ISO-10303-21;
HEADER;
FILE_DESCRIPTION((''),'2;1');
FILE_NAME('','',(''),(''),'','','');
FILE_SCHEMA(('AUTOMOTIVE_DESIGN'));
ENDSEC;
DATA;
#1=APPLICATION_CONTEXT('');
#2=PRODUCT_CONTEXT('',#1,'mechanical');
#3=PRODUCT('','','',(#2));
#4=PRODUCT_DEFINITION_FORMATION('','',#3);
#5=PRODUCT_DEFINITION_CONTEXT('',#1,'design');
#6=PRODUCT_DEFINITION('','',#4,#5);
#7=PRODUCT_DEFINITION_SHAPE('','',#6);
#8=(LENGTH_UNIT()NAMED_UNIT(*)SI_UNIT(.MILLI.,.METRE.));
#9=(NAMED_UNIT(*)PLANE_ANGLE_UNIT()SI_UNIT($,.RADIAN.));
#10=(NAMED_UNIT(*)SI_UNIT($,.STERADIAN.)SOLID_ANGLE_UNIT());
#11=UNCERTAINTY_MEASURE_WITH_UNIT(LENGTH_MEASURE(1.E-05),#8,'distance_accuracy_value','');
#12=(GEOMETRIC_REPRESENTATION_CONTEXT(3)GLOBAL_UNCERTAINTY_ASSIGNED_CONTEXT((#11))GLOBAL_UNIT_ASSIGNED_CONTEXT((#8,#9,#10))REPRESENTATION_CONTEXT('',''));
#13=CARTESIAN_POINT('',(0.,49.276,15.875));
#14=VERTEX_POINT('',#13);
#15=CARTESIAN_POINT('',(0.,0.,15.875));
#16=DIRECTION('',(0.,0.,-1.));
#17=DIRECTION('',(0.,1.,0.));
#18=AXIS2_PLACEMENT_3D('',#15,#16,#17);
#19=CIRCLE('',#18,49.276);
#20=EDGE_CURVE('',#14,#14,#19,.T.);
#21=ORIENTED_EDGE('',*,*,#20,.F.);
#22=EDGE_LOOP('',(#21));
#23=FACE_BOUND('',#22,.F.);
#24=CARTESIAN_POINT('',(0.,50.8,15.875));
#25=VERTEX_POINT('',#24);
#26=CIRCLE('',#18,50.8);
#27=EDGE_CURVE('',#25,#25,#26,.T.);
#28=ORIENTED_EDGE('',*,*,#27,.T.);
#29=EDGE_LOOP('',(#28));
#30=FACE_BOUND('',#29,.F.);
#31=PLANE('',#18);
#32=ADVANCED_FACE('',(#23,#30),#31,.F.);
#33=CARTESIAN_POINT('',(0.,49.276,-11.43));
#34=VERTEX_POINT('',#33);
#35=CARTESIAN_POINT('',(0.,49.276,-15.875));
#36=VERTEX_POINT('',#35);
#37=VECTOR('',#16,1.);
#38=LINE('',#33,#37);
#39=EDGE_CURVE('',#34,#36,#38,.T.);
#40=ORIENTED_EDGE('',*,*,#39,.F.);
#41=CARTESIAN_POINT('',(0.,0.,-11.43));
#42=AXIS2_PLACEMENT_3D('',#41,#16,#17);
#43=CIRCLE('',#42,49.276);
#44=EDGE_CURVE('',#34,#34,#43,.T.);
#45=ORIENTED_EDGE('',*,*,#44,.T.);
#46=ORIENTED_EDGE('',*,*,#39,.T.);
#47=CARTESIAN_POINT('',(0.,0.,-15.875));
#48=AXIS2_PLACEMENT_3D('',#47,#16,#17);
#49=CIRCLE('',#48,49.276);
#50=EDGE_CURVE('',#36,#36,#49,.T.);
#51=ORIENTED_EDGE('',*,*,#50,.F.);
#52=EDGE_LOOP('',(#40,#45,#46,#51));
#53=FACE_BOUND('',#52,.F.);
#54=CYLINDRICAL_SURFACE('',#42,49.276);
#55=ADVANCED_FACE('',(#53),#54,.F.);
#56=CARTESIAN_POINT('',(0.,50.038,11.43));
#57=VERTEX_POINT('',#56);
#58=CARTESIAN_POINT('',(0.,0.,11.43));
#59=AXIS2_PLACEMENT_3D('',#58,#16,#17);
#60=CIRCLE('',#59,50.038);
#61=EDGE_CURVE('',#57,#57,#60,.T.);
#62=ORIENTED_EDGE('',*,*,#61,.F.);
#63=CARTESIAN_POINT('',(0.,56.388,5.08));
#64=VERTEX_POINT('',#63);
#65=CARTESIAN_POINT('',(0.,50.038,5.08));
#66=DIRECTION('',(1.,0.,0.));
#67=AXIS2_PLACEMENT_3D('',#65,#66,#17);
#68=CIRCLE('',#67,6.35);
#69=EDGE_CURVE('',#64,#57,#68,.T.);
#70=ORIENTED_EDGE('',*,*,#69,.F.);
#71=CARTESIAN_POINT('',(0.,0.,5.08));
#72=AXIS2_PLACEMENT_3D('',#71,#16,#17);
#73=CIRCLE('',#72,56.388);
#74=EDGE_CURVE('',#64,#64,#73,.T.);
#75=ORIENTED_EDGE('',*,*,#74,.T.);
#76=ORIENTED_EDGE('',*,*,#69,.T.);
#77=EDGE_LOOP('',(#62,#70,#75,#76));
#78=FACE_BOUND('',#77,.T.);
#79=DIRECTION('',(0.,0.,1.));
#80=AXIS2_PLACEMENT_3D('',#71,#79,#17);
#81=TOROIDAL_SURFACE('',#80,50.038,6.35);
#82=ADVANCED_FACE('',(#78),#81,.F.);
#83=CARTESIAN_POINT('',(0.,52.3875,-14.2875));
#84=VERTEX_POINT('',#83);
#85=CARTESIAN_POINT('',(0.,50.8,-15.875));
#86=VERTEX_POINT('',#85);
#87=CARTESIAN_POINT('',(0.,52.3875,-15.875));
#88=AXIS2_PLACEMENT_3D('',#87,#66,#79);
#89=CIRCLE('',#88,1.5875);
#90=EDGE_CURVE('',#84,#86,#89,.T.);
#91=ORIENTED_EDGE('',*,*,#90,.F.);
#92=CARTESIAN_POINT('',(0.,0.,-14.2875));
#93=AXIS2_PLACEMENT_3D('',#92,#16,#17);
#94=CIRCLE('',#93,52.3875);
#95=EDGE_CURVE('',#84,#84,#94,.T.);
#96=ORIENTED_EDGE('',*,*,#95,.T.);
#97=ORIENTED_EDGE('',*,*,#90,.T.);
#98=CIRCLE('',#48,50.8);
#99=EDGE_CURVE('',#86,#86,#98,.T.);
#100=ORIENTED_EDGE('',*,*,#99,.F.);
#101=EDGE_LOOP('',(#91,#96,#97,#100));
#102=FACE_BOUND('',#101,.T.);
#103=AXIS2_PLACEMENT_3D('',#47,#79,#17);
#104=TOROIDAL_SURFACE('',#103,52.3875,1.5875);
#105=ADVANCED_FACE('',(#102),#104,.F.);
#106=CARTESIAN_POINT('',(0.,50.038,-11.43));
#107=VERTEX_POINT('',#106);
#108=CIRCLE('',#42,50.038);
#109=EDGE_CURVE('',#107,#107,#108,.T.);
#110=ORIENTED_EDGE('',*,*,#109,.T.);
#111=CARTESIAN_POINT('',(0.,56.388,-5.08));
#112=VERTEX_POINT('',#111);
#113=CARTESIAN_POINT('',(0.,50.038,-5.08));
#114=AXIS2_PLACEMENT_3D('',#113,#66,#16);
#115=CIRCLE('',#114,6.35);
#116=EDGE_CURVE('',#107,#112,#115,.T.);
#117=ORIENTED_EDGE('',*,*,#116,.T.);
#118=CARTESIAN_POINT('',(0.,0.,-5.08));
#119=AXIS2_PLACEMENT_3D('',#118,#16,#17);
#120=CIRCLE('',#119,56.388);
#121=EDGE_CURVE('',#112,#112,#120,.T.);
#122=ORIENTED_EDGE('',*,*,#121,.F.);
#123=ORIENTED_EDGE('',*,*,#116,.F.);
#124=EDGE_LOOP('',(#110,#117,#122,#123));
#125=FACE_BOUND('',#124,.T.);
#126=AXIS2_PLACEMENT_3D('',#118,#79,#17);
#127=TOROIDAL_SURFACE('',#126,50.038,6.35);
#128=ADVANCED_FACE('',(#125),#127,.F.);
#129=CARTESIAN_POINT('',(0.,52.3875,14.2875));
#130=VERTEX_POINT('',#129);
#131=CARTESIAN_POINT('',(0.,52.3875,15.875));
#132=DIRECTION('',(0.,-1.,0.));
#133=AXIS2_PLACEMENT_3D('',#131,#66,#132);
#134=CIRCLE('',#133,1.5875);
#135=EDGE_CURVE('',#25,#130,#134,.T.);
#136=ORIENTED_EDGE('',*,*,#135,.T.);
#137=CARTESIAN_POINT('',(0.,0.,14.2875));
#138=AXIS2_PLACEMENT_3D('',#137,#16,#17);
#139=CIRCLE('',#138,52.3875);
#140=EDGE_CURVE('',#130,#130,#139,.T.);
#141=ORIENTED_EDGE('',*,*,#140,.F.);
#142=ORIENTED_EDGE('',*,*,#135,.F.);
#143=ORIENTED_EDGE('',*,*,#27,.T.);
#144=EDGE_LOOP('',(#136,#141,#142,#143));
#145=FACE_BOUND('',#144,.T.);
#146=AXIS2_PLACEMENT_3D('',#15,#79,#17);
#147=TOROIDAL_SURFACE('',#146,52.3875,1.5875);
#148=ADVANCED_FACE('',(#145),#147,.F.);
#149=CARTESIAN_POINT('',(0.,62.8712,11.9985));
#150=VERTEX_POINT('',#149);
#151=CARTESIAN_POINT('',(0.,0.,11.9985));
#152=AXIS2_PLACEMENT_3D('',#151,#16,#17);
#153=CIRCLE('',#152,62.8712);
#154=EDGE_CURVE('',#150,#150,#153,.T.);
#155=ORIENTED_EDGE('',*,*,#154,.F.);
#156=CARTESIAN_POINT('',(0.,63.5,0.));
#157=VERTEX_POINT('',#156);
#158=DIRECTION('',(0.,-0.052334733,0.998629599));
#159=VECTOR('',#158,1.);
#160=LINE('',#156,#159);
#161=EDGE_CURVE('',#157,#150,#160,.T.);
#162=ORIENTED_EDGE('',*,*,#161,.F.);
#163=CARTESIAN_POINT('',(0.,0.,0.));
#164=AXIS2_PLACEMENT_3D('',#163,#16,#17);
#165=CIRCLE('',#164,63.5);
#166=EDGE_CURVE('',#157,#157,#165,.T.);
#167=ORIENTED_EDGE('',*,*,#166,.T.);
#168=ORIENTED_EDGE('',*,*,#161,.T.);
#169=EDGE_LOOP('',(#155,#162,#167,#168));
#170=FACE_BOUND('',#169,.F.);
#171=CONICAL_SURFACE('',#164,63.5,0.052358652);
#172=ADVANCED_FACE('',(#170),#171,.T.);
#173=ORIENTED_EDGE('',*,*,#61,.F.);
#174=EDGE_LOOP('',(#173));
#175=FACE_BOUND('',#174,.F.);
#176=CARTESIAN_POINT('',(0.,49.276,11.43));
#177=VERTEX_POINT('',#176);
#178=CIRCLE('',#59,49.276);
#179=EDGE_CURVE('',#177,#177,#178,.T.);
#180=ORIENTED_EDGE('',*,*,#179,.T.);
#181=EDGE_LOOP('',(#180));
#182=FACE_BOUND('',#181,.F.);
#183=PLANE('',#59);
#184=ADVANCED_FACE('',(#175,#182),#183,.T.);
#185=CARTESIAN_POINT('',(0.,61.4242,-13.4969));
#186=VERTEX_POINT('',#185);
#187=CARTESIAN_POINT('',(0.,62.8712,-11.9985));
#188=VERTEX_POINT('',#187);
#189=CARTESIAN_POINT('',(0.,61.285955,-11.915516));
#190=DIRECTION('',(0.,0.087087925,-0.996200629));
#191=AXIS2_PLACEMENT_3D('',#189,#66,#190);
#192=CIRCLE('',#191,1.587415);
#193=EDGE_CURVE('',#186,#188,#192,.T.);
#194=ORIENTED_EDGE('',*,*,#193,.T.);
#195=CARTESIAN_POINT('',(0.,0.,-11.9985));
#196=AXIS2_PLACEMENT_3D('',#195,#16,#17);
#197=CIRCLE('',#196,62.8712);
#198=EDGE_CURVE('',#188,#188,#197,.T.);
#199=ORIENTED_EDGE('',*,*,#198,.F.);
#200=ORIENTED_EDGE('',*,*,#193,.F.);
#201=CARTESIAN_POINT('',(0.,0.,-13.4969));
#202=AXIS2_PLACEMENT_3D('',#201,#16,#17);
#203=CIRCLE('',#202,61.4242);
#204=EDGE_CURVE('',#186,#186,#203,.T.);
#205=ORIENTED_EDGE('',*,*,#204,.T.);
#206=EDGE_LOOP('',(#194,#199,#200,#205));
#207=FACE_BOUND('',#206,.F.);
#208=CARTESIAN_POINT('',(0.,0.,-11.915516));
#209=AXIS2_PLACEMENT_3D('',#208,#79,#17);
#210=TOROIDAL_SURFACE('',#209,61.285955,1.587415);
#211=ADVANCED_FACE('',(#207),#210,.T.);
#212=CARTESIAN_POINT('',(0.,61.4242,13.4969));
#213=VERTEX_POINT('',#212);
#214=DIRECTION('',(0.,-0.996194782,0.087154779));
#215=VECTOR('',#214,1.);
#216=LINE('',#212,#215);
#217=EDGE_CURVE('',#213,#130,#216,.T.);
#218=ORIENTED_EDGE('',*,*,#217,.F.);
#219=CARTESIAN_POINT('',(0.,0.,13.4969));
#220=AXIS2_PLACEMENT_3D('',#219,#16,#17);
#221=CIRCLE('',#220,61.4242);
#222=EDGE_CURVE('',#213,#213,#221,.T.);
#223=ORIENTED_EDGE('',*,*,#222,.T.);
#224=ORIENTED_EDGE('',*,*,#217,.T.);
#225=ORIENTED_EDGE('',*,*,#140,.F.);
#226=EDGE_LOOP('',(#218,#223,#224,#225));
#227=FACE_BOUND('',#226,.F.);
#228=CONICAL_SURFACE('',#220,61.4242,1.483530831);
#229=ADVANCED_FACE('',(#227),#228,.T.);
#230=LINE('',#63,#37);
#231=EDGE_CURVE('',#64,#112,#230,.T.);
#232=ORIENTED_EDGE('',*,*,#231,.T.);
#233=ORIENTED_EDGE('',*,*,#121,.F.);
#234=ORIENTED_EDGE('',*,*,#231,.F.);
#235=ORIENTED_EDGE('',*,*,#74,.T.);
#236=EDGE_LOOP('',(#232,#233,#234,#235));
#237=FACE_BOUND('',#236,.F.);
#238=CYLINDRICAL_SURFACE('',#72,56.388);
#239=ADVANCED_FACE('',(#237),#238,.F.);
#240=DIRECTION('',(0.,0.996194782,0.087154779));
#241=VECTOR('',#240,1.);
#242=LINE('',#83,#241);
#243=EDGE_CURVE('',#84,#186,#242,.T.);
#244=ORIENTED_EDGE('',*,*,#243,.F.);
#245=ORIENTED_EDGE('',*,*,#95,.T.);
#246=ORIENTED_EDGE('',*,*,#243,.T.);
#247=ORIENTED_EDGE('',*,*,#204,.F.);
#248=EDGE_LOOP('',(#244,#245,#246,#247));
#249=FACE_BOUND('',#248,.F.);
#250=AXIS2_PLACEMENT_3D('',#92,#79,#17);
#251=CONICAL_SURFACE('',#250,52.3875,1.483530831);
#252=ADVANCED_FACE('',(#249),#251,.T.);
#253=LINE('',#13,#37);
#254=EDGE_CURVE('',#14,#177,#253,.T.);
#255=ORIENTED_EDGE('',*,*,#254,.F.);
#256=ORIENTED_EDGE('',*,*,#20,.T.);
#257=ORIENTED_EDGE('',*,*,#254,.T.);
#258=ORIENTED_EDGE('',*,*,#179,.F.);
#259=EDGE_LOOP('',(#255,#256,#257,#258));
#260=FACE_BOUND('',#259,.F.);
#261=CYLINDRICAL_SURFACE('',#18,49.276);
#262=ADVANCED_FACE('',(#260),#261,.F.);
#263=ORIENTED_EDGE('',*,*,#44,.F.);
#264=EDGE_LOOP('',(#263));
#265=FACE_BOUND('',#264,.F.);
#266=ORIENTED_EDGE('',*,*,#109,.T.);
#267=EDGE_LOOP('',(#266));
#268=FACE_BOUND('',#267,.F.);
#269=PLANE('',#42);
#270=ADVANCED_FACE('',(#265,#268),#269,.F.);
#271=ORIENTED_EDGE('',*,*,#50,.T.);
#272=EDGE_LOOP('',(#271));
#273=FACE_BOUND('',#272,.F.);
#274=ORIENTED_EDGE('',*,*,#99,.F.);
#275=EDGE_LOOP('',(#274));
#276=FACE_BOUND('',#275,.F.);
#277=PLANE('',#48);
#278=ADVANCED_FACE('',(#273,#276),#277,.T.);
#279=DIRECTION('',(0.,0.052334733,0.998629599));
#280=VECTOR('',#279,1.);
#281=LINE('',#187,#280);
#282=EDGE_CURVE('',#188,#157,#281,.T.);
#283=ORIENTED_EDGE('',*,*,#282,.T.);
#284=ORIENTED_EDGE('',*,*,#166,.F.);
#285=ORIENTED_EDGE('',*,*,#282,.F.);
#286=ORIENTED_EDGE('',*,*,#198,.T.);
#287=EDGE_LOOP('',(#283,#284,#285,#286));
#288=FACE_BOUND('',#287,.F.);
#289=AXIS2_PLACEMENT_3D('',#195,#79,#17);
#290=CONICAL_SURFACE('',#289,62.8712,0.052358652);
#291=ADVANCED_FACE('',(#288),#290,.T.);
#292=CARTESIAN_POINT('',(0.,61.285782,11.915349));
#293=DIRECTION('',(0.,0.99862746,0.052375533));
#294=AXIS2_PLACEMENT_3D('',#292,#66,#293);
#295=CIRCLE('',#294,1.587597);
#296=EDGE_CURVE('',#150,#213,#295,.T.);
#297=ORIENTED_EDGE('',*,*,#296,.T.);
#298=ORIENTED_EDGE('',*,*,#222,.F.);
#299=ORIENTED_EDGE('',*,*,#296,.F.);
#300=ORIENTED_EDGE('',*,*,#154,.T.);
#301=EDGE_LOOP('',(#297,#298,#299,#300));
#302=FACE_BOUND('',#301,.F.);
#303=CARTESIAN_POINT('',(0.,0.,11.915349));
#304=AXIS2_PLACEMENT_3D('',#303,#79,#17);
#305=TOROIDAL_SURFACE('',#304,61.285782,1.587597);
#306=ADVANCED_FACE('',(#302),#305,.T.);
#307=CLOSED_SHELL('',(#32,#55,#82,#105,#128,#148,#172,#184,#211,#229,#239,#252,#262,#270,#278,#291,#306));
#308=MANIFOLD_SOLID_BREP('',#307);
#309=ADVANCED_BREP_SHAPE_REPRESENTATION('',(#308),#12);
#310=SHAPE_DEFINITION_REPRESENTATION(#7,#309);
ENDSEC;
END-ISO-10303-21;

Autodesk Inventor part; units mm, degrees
sketch "Sketch_8" plane through (0, 0, 0) normal (1, 0, 0) x (0, 1, 0)
  line L0 (0, -15.875) -> (0, 15.875)
  line L1 (49.276, 15.875) -> (49.276, 11.43)
  line L2 (49.276, 11.43) -> (50.038, 11.43)
  arc A0 (56.388, 5.08) -> (50.038, 11.43) centre (50.038, 5.08) ccw
  line L3 (56.388, 5.08) -> (56.388, -5.08)
  arc A1 (50.038, -11.43) -> (56.388, -5.08) centre (50.038, -5.08) ccw
  line L4 (50.038, -11.43) -> (49.276, -11.43)
  line L5 (49.276, -11.43) -> (49.276, -15.875)
  line L6 (49.276, -15.875) -> (50.8, -15.875)
  arc A2 (52.3875, -14.2875) -> (50.8, -15.875) centre (52.3875, -15.875) ccw
  line L7 (52.3875, -14.2875) -> (61.4242, -13.4969)
  arc A3 (61.4242, -13.4969) -> (62.8712, -11.9985) centre (61.2859, -11.9154) ccw
  line L8 (62.8712, -11.9985) -> (63.5, 0)
  line L9 (63.5, 0) -> (62.8712, 11.9985)
  arc A4 (62.8712, 11.9985) -> (61.4242, 13.4969) centre (61.2859, 11.9154) ccw
  line L10 (61.4242, 13.4969) -> (52.3875, 14.2875)
  arc A5 (50.8, 15.875) -> (52.3875, 14.2875) centre (52.3875, 15.875) ccw
  line L11 (50.8, 15.875) -> (49.276, 15.875)
revolve "Revolution1" add sketch "Sketch_8" angle 360 about axis through (0, 0, -15.875) along (0, 0, -1)
ref_plane "thread_XY" through (0, 0, 0) normal (0, 0, 1) x (1, 0, 0)
ref_plane "thread_YZ" through (0, 0, 0) normal (1, 0, 0) x (0, 1, 0)
ref_plane "thread_ZX" through (0, 0, 0) normal (0, 1, 0) x (0, 0, 1)
properties part number "2.00005.4411 1/4 (T)"
